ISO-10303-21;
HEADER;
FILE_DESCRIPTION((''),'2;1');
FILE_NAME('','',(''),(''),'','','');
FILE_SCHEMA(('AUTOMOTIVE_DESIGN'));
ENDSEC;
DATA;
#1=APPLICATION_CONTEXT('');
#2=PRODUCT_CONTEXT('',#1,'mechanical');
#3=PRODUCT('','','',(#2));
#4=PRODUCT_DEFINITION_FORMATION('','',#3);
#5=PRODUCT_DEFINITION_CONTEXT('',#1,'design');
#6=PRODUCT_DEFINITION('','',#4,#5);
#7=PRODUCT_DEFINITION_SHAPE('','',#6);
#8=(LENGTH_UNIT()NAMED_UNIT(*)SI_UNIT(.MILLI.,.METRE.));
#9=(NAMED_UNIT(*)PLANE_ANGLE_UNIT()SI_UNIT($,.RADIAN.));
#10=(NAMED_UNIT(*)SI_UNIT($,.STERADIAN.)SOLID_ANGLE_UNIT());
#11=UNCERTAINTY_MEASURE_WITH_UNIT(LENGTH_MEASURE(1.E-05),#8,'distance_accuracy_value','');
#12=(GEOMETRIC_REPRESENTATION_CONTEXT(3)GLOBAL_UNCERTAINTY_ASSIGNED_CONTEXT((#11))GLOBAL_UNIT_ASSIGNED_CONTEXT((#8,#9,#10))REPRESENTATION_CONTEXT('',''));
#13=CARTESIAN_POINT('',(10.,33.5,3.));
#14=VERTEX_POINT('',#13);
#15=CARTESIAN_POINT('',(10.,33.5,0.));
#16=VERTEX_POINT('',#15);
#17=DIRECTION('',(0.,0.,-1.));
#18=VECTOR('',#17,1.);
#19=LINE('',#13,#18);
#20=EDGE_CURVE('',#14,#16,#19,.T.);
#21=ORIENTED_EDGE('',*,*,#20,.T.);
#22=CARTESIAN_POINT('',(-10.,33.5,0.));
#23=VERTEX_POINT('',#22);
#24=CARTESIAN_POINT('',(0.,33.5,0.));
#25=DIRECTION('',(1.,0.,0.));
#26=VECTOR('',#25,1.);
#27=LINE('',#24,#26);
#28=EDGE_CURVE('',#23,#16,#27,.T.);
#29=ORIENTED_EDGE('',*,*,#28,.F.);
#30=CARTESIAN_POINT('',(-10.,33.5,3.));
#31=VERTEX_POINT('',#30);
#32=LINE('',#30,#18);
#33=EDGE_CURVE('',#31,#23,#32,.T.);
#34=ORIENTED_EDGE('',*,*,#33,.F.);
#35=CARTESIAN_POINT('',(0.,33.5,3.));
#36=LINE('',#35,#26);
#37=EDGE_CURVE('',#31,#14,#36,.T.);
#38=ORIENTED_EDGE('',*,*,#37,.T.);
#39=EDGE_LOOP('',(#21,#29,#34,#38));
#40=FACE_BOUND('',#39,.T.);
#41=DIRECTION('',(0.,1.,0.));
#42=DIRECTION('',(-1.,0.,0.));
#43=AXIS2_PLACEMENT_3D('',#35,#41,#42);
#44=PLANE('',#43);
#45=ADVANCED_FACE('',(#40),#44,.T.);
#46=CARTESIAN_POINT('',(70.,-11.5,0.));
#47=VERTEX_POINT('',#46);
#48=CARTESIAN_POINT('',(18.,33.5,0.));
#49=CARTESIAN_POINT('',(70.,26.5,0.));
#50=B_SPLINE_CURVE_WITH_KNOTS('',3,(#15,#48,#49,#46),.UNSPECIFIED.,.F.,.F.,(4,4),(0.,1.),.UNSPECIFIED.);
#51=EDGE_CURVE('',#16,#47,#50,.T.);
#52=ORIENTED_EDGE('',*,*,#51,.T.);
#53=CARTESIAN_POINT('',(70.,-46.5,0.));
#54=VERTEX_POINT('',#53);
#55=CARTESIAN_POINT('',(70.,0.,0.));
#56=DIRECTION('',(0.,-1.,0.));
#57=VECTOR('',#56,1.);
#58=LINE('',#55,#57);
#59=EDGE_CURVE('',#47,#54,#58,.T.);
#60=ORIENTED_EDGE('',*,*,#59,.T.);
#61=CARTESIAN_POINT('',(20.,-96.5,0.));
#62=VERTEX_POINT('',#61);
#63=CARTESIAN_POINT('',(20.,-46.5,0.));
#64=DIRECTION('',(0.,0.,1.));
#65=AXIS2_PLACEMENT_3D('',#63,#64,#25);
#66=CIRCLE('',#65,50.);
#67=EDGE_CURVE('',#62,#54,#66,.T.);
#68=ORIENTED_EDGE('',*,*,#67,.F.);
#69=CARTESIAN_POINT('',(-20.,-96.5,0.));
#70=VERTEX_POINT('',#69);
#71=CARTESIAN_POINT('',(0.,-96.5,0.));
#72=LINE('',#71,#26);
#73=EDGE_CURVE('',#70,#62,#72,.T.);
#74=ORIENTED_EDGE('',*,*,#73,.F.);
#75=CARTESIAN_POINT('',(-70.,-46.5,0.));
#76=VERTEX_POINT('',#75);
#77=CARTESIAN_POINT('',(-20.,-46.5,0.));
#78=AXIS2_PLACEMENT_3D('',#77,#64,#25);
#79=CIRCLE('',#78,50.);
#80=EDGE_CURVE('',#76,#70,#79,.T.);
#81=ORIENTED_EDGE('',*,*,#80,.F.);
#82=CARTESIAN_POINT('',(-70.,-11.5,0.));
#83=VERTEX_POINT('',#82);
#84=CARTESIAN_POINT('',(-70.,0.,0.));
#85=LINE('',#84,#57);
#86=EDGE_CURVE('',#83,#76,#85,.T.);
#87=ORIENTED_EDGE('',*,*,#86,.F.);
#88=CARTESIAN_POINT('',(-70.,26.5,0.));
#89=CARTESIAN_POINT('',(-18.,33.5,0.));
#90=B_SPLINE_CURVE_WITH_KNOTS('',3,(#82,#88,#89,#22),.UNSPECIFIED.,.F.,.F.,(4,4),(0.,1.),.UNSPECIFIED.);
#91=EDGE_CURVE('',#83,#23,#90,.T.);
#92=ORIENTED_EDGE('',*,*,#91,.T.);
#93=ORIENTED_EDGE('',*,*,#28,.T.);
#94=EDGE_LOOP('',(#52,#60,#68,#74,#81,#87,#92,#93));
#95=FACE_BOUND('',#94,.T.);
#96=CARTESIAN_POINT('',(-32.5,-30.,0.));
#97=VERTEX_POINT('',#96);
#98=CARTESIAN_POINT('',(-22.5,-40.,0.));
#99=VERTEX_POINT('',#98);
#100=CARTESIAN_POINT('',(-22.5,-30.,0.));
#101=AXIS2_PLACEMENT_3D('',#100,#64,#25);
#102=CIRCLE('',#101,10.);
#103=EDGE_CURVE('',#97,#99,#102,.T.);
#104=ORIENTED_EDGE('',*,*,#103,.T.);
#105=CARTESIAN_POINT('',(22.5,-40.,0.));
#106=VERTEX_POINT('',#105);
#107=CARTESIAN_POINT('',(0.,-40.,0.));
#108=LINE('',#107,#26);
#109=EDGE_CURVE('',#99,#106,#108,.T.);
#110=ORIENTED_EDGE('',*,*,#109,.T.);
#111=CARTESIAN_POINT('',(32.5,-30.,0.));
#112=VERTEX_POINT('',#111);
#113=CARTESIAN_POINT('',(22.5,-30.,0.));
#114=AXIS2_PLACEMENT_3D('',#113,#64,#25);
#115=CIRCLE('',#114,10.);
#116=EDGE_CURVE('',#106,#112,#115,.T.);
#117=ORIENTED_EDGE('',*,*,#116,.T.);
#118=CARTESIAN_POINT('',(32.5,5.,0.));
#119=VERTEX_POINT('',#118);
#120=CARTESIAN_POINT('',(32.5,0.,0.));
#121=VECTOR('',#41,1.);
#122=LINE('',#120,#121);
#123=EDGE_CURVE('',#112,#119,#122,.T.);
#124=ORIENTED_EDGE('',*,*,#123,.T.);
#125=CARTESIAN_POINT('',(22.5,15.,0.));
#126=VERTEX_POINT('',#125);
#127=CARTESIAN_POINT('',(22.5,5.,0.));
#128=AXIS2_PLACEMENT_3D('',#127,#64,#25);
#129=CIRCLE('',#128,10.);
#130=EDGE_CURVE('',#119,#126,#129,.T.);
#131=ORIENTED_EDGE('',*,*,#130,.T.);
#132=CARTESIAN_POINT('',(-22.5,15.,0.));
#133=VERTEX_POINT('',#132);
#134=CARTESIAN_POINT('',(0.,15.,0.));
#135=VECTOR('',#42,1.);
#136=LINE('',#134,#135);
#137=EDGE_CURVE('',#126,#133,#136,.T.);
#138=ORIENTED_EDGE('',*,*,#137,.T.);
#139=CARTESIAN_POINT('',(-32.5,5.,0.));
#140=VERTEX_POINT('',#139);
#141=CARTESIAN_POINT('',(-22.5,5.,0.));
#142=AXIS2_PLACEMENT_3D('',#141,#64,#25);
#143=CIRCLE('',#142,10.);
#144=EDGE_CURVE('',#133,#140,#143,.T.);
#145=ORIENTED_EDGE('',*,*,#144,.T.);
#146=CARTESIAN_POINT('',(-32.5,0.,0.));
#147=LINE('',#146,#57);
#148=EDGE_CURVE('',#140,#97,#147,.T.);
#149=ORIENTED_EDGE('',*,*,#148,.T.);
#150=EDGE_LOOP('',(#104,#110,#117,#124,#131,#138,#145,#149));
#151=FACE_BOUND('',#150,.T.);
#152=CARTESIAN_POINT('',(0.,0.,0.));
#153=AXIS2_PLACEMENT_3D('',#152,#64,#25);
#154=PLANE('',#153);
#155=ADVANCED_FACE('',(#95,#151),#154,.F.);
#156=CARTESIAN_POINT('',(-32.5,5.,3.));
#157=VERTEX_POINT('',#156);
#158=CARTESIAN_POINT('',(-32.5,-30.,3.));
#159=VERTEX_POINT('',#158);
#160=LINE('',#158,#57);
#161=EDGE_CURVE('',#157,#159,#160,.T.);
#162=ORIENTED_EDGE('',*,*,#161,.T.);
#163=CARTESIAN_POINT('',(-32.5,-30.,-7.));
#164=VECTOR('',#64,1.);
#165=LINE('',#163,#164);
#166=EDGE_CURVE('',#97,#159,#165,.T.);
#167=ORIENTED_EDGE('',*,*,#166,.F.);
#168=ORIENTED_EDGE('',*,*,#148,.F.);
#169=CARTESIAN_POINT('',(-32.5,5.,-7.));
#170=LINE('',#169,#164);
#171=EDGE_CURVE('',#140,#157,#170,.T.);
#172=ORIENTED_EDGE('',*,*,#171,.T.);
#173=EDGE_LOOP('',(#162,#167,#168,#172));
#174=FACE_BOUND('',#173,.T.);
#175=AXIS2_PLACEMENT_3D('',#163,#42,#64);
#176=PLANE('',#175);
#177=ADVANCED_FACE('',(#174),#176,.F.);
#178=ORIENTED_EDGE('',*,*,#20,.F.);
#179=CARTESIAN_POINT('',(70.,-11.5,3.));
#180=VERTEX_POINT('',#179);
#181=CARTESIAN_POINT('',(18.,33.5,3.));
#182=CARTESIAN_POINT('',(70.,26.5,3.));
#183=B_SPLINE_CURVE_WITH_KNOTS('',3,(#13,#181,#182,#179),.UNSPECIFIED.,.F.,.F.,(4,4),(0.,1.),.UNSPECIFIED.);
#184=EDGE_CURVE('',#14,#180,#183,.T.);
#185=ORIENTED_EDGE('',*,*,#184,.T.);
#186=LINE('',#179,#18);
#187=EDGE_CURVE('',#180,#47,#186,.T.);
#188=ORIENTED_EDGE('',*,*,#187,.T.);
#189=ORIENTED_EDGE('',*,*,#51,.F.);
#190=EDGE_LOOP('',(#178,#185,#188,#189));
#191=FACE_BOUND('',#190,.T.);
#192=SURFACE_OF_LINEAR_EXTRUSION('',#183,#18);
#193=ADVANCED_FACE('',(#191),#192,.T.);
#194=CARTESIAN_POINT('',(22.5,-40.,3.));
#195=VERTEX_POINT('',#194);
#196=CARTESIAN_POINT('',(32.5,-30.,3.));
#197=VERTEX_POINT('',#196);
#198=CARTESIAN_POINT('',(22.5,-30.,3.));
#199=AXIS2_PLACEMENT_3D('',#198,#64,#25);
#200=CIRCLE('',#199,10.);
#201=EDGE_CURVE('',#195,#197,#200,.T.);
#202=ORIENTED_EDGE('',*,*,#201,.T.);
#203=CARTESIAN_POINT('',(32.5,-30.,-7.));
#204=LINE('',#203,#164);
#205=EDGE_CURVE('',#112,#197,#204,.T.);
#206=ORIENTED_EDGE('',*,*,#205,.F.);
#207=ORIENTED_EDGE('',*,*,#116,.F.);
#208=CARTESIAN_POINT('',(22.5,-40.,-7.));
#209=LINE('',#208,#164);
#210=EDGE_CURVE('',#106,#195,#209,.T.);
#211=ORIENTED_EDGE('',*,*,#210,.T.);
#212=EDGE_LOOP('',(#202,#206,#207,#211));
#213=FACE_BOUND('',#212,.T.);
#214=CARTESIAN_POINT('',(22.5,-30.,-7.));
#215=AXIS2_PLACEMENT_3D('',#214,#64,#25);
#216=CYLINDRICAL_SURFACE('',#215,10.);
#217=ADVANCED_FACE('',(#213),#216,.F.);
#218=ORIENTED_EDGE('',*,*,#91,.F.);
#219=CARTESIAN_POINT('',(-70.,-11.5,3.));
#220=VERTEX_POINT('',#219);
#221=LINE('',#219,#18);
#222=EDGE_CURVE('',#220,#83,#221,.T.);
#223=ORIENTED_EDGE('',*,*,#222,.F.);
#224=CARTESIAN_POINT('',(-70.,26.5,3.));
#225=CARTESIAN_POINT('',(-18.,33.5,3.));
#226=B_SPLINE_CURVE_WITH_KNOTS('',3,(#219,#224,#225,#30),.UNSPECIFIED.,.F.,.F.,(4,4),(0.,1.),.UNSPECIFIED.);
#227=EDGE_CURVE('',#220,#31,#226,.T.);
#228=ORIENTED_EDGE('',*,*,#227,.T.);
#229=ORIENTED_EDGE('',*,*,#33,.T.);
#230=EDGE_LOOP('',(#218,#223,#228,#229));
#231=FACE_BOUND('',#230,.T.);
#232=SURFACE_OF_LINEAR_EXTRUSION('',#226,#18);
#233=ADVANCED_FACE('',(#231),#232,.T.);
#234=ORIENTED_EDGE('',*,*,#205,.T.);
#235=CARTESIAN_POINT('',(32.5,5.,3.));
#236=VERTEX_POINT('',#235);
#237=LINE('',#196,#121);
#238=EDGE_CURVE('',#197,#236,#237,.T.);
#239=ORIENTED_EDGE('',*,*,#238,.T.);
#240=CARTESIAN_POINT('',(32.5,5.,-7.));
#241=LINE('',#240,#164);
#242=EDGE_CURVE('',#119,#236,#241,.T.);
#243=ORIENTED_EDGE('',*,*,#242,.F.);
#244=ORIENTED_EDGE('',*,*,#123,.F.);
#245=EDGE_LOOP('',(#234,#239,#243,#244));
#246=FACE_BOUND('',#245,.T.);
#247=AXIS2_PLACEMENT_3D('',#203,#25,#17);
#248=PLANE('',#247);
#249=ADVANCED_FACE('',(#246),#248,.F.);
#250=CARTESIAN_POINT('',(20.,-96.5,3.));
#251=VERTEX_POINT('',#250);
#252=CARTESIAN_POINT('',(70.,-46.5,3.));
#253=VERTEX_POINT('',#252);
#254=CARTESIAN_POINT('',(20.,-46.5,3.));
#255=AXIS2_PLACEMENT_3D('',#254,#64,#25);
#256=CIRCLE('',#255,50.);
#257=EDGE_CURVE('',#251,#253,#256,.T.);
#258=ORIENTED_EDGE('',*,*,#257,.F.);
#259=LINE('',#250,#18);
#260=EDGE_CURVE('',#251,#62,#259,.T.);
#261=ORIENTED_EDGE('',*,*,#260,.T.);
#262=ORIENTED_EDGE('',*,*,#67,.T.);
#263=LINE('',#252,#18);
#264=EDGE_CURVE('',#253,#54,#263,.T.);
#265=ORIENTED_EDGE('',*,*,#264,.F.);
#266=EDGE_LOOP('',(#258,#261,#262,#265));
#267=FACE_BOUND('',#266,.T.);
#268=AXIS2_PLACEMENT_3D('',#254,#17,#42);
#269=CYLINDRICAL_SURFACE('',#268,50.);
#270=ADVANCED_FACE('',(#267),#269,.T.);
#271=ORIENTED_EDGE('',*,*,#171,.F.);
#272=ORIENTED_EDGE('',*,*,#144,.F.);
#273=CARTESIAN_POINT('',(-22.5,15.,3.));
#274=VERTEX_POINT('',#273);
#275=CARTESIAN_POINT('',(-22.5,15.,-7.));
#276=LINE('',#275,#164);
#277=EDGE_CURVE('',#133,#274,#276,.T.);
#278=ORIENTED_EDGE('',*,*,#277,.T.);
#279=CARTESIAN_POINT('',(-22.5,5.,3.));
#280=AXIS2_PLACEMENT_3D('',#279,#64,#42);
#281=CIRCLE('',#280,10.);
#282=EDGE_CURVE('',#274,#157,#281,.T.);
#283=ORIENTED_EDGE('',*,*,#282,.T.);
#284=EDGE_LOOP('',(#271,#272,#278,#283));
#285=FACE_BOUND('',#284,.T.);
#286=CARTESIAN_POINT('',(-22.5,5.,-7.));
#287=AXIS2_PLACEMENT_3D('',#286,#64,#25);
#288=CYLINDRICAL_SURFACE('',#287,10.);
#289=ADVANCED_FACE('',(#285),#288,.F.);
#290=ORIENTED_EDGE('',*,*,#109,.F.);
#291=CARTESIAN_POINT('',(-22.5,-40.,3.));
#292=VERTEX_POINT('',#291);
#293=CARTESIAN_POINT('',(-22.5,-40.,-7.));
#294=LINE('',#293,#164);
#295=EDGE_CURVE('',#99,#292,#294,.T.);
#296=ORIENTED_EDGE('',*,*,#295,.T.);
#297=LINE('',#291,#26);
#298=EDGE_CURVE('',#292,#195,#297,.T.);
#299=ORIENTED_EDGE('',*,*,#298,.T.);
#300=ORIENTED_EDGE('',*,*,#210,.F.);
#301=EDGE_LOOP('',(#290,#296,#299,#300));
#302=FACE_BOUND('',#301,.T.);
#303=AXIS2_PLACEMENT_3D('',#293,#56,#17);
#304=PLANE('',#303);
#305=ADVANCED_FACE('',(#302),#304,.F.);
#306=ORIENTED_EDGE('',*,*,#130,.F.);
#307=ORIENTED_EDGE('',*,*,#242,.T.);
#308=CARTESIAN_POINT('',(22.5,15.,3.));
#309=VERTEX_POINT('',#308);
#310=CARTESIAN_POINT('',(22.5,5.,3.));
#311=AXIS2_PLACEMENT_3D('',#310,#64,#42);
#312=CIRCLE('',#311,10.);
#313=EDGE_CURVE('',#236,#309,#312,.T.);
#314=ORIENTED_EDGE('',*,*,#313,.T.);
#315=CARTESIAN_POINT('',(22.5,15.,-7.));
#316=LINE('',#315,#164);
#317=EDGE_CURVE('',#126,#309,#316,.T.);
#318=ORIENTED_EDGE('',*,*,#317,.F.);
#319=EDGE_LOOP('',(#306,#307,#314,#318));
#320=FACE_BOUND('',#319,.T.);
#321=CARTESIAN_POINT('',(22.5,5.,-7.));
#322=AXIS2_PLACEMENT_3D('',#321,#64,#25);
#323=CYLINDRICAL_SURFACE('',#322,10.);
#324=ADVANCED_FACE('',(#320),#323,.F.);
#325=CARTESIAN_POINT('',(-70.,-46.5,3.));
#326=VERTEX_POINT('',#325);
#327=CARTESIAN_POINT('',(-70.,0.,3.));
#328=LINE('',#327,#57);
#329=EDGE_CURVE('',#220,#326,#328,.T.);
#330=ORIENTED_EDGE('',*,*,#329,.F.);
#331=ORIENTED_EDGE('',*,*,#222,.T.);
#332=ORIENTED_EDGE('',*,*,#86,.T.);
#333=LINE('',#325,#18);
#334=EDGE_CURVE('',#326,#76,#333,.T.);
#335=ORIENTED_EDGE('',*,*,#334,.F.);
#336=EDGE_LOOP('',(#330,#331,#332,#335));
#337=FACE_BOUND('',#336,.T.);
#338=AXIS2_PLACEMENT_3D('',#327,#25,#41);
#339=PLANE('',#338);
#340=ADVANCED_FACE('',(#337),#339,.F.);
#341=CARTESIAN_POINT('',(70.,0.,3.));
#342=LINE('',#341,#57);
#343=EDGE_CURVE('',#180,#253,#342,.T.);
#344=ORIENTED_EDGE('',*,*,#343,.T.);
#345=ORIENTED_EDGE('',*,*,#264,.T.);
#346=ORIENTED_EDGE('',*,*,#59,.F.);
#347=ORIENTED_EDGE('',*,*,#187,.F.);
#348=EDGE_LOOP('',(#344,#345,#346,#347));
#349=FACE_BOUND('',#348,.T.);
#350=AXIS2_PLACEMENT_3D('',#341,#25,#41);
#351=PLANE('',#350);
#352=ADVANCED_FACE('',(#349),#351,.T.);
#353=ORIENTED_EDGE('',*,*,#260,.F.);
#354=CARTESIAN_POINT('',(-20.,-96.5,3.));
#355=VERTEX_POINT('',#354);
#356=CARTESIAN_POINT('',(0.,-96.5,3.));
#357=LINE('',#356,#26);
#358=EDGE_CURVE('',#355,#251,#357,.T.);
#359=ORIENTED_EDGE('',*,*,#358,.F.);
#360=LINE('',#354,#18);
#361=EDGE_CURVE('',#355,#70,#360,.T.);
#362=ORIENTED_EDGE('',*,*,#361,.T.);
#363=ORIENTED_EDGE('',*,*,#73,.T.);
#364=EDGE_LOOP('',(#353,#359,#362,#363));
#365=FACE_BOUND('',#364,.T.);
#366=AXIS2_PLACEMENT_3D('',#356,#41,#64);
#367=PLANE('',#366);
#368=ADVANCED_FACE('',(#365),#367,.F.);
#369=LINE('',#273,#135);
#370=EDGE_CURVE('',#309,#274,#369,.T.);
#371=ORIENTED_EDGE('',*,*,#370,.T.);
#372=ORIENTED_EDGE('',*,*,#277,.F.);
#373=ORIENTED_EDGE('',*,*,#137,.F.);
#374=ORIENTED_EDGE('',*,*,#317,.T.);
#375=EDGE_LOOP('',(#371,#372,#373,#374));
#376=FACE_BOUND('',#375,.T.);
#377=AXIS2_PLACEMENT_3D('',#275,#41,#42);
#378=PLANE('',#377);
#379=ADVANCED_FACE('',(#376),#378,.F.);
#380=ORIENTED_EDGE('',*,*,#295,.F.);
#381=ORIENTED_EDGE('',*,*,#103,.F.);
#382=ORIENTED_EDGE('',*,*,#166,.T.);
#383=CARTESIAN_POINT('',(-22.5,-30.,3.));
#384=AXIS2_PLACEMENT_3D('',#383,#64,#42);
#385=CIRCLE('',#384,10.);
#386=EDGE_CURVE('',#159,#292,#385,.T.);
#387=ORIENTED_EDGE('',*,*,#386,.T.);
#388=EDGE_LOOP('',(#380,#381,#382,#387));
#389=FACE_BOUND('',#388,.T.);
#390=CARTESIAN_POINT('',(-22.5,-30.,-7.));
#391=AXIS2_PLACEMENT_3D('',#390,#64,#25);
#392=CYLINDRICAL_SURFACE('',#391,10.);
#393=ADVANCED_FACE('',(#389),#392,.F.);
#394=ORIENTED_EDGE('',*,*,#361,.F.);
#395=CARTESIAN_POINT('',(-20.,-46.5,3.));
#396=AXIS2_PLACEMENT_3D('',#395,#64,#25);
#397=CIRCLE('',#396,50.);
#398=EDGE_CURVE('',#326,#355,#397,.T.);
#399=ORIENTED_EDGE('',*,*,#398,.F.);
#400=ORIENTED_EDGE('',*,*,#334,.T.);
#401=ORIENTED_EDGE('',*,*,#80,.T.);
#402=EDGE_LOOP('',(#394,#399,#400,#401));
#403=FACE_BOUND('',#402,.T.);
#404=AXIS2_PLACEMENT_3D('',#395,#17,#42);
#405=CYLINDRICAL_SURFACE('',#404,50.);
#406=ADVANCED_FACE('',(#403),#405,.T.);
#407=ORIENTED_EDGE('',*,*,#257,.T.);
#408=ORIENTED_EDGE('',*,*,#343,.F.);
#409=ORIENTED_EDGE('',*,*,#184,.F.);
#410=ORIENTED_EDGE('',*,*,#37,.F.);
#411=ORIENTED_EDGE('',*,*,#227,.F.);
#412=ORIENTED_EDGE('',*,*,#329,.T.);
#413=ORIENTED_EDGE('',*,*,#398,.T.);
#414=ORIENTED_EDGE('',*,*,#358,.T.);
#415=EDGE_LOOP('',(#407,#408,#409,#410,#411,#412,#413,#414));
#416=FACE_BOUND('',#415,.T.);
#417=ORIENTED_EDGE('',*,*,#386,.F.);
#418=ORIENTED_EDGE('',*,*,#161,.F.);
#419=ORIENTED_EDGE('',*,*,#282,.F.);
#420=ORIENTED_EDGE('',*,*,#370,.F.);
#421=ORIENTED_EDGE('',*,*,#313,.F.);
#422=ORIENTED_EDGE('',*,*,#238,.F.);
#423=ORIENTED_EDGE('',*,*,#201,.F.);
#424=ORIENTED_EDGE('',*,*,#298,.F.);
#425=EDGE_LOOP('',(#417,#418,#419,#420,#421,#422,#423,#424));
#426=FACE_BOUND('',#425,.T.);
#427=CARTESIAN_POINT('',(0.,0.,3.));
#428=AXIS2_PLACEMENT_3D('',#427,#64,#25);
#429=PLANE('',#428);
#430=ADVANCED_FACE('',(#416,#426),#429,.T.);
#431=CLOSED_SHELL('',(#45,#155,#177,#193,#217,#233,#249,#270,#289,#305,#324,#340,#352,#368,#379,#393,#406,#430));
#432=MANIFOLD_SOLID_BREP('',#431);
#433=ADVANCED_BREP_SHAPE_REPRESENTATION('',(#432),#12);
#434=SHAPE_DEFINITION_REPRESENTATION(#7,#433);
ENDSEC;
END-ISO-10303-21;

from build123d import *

# Parameters (mm, degrees)
BOSS_EXTRUDE1_DEPTH = 3
CUT_EXTRUDE1_DEPTH  = 10


with BuildPart() as part:
    # Sketch1 → Boss-Extrude1 (new body)
    with BuildSketch(Plane.XY):
        with BuildLine():
            add(Edge.make_bspline(
                [(-70, -11.5), (-70, 26.5), (-18, 33.5), (-10, 33.5)],
                knots=[0, 0, 0, 0, 1, 1, 1, 1], degree=3))
            Line((-70, -11.5), (-70, -46.5))
            ThreePointArc((-70, -46.5), (-55.355339059, -81.855339059), (-20, -96.5))
            Line((-20, -96.5), (20, -96.5))
            ThreePointArc((20, -96.5), (55.355339059, -81.855339059), (70, -46.5))
            Line((70, -46.5), (70, -11.5))
            add(Edge.make_bspline(
                [(10, 33.5), (18, 33.5), (70, 26.5), (70, -11.5)],
                knots=[0, 0, 0, 0, 1, 1, 1, 1], degree=3))
            Line((10, 33.5), (-10, 33.5))
        make_face()
    extrude(amount=BOSS_EXTRUDE1_DEPTH)

    # Sketch2 → Cut-Extrude1 (cut)
    with BuildSketch(Plane.XY.offset(3)):
        with BuildLine():
            Line((-22.5, -40), (22.5, -40))
            ThreePointArc((22.5, -40), (29.571067812, -37.071067812), (32.5, -30))
            Line((32.5, -30), (32.5, 5))
            ThreePointArc((32.5, 5), (29.571067812, 12.071067812), (22.5, 15))
            Line((22.5, 15), (-22.5, 15))
            ThreePointArc((-22.5, 15), (-29.571067812, 12.071067812), (-32.5, 5))
            Line((-32.5, 5), (-32.5, -30))
            ThreePointArc((-32.5, -30), (-29.571067812, -37.071067812), (-22.5, -40))
        make_face()
    extrude(amount=-CUT_EXTRUDE1_DEPTH, mode=Mode.SUBTRACT)


solid = part.part
